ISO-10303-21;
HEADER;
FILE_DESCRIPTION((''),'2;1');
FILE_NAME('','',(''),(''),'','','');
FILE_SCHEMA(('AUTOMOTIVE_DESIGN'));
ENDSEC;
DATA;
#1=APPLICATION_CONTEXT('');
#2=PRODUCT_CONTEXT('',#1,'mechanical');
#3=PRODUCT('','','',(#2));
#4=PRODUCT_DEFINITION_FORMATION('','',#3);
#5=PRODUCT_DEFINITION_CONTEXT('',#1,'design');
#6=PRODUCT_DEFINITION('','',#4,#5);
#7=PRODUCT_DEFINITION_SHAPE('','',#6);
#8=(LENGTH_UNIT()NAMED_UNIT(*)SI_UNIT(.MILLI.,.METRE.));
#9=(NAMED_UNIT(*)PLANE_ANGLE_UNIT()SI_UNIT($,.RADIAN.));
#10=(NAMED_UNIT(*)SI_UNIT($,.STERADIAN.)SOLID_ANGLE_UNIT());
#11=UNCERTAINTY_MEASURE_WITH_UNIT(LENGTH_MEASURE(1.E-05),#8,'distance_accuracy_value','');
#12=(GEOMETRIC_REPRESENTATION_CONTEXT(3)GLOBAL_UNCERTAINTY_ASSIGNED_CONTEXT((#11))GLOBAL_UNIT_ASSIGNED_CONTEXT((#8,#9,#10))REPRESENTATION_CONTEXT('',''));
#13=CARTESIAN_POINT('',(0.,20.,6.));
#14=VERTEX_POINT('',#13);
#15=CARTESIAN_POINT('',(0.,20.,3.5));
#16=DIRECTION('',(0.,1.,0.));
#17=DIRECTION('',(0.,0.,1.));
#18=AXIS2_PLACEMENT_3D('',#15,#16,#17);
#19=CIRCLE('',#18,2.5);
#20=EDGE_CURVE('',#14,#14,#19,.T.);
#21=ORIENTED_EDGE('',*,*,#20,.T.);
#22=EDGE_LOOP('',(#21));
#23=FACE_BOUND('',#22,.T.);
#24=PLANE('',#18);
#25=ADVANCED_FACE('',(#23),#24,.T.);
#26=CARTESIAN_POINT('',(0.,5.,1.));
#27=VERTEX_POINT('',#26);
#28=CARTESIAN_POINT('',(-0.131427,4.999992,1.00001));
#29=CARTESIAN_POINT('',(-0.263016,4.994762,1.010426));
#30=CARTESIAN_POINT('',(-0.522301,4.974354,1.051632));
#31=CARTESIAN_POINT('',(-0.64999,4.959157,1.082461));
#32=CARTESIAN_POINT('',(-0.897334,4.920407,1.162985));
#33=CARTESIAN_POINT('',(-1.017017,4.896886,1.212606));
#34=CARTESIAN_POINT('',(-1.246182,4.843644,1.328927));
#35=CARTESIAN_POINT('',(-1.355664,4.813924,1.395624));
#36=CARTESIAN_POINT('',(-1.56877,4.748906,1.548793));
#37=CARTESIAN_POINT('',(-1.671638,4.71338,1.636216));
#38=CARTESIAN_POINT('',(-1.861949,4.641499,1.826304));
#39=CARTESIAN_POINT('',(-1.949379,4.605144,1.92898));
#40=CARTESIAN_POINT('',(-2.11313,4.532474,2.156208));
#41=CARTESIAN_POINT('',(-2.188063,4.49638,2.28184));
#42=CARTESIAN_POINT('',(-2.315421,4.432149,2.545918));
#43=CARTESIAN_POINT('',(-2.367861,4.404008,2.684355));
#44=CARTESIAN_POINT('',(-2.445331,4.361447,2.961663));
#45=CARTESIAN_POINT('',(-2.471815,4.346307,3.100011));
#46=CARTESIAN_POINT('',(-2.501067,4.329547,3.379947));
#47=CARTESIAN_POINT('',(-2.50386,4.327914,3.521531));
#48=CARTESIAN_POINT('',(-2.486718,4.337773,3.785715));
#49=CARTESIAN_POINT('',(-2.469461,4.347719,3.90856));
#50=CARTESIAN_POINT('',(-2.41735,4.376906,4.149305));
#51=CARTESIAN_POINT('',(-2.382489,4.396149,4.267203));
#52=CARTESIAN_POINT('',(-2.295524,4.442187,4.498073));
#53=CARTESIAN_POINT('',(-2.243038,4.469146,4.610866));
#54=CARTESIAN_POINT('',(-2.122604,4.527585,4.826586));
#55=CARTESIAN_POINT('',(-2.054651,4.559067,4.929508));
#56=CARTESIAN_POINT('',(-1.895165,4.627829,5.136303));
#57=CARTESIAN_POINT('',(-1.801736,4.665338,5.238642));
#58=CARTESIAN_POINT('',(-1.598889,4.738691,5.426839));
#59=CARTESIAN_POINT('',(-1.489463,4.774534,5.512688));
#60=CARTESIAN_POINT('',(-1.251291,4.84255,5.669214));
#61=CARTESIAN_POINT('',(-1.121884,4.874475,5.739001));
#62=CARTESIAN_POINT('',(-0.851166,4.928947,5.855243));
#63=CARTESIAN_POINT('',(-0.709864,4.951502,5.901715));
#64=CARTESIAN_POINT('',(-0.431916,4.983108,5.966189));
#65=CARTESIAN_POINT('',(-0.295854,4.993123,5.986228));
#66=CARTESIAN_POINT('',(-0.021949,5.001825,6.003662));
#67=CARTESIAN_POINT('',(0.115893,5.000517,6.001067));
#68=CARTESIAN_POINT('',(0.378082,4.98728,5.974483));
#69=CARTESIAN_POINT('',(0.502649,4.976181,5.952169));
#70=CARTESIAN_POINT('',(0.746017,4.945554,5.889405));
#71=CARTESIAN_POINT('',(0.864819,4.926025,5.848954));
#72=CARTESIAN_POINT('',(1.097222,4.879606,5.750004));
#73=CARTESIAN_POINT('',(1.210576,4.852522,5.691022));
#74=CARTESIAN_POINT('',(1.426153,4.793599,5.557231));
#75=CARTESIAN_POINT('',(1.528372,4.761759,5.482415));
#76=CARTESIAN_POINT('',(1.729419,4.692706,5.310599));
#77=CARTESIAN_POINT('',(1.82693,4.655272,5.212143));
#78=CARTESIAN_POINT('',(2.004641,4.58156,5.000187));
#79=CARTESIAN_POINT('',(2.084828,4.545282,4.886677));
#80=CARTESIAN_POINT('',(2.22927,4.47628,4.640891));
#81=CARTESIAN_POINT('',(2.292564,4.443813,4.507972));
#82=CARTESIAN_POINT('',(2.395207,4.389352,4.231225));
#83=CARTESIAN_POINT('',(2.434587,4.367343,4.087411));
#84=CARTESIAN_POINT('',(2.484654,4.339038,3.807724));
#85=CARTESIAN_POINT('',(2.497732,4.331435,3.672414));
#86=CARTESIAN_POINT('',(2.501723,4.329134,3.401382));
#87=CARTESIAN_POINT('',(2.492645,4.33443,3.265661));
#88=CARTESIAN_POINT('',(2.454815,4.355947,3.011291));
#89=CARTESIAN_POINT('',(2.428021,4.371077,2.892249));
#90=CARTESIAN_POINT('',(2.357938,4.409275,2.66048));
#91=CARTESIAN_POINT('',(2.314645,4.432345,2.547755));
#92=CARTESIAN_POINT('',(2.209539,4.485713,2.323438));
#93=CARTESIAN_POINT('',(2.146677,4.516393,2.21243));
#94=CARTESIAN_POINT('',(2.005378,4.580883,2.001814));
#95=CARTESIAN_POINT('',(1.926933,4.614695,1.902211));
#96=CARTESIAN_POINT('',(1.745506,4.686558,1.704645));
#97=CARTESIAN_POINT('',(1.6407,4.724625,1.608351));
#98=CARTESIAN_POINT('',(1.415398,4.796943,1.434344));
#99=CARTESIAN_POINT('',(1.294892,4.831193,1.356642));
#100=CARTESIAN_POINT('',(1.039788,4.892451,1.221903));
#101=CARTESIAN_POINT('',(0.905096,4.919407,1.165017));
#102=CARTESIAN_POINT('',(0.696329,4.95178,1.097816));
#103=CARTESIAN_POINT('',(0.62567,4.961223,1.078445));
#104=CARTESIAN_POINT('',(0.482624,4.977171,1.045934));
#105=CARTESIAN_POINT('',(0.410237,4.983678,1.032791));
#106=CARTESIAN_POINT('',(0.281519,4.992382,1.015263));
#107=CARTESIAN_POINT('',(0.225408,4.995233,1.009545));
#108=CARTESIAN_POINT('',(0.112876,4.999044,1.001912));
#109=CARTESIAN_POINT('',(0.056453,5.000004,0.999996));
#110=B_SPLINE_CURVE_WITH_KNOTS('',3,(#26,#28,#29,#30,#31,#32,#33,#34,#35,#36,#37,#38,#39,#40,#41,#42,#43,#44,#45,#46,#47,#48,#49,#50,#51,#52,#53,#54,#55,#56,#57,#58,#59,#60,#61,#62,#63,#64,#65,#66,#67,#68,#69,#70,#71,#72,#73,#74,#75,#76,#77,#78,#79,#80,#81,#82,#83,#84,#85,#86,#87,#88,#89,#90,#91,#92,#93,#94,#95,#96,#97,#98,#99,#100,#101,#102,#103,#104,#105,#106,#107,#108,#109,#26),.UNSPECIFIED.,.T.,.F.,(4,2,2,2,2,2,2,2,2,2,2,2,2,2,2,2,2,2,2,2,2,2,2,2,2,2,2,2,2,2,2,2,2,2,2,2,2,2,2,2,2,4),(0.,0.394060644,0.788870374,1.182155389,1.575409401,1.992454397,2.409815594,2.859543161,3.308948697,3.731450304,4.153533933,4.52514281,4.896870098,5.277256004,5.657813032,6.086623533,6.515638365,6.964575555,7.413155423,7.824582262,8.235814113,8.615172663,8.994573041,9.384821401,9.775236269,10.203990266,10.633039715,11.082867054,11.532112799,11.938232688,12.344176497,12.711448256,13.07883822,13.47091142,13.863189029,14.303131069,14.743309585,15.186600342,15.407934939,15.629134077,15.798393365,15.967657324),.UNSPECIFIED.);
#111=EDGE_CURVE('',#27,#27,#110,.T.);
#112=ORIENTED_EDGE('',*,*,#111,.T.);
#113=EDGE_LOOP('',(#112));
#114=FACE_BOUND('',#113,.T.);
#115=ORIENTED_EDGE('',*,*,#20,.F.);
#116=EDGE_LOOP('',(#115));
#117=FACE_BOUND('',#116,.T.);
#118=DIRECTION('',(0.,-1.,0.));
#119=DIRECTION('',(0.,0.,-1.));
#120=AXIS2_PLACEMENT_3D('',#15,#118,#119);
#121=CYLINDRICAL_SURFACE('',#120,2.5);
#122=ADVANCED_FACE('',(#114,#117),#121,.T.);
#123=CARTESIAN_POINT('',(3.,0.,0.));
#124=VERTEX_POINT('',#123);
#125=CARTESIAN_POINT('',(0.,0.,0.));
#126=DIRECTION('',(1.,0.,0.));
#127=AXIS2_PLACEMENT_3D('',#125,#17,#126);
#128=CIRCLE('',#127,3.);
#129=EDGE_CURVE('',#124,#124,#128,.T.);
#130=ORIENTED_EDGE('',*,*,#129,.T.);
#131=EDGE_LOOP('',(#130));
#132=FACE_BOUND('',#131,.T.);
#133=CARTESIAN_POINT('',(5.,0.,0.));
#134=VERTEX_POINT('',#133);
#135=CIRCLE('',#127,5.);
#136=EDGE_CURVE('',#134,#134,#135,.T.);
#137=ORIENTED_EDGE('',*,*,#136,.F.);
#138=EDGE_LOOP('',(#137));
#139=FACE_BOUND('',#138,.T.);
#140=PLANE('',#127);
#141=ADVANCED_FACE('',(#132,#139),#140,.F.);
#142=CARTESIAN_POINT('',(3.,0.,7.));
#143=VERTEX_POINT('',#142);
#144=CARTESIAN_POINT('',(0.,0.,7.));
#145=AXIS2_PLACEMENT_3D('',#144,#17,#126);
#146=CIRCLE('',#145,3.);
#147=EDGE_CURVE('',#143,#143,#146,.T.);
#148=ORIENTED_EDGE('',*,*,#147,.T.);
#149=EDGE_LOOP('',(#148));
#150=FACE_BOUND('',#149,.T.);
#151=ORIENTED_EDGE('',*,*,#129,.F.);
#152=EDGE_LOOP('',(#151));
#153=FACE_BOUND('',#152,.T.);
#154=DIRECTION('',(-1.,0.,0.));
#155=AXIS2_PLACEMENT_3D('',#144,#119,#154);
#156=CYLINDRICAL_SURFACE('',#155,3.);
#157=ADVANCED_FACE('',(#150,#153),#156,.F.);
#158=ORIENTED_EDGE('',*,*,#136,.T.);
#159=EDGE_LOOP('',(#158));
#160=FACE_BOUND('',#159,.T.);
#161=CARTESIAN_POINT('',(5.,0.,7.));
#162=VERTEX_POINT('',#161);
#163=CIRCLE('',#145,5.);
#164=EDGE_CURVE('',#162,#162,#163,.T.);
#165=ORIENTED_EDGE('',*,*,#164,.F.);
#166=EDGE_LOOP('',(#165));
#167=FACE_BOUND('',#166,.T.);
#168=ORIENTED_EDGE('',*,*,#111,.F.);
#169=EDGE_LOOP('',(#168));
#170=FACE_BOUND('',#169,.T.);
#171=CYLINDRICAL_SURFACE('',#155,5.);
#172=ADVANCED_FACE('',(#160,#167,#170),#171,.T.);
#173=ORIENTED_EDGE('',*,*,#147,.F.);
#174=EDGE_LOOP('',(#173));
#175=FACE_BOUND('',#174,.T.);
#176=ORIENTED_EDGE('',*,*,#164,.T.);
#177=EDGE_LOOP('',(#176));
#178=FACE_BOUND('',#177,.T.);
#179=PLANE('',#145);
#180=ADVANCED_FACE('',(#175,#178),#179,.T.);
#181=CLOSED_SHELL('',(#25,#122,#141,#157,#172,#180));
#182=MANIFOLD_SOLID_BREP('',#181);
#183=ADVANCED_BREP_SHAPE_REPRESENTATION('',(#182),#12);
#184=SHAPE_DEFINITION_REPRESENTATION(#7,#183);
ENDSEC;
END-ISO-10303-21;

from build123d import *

# Parameters (mm, degrees)
SKETCH1_R           = 5
SKETCH1_R_2         = 3
BOSS_EXTRUDE1_DEPTH = 7
BOSS_EXTRUDE2_START = 3
SKETCH3_R           = 2.5
BOSS_EXTRUDE2_DEPTH = 17


with BuildPart() as part:
    # Sketch1 → Boss-Extrude1 (new body)
    with BuildSketch(Plane.XY):
        Circle(SKETCH1_R)
        Circle(SKETCH1_R_2, mode=Mode.SUBTRACT)
    extrude(amount=BOSS_EXTRUDE1_DEPTH)

    # Sketch3 → Boss-Extrude2 (add)
    with BuildSketch(Plane(origin=(0, 0, 0), x_dir=(1, 0, 0), z_dir=(0, 1, 0)).offset(BOSS_EXTRUDE2_START)):
        with Locations((0, -3.5)):
            Circle(SKETCH3_R)
    extrude(amount=BOSS_EXTRUDE2_DEPTH)


solid = part.part
